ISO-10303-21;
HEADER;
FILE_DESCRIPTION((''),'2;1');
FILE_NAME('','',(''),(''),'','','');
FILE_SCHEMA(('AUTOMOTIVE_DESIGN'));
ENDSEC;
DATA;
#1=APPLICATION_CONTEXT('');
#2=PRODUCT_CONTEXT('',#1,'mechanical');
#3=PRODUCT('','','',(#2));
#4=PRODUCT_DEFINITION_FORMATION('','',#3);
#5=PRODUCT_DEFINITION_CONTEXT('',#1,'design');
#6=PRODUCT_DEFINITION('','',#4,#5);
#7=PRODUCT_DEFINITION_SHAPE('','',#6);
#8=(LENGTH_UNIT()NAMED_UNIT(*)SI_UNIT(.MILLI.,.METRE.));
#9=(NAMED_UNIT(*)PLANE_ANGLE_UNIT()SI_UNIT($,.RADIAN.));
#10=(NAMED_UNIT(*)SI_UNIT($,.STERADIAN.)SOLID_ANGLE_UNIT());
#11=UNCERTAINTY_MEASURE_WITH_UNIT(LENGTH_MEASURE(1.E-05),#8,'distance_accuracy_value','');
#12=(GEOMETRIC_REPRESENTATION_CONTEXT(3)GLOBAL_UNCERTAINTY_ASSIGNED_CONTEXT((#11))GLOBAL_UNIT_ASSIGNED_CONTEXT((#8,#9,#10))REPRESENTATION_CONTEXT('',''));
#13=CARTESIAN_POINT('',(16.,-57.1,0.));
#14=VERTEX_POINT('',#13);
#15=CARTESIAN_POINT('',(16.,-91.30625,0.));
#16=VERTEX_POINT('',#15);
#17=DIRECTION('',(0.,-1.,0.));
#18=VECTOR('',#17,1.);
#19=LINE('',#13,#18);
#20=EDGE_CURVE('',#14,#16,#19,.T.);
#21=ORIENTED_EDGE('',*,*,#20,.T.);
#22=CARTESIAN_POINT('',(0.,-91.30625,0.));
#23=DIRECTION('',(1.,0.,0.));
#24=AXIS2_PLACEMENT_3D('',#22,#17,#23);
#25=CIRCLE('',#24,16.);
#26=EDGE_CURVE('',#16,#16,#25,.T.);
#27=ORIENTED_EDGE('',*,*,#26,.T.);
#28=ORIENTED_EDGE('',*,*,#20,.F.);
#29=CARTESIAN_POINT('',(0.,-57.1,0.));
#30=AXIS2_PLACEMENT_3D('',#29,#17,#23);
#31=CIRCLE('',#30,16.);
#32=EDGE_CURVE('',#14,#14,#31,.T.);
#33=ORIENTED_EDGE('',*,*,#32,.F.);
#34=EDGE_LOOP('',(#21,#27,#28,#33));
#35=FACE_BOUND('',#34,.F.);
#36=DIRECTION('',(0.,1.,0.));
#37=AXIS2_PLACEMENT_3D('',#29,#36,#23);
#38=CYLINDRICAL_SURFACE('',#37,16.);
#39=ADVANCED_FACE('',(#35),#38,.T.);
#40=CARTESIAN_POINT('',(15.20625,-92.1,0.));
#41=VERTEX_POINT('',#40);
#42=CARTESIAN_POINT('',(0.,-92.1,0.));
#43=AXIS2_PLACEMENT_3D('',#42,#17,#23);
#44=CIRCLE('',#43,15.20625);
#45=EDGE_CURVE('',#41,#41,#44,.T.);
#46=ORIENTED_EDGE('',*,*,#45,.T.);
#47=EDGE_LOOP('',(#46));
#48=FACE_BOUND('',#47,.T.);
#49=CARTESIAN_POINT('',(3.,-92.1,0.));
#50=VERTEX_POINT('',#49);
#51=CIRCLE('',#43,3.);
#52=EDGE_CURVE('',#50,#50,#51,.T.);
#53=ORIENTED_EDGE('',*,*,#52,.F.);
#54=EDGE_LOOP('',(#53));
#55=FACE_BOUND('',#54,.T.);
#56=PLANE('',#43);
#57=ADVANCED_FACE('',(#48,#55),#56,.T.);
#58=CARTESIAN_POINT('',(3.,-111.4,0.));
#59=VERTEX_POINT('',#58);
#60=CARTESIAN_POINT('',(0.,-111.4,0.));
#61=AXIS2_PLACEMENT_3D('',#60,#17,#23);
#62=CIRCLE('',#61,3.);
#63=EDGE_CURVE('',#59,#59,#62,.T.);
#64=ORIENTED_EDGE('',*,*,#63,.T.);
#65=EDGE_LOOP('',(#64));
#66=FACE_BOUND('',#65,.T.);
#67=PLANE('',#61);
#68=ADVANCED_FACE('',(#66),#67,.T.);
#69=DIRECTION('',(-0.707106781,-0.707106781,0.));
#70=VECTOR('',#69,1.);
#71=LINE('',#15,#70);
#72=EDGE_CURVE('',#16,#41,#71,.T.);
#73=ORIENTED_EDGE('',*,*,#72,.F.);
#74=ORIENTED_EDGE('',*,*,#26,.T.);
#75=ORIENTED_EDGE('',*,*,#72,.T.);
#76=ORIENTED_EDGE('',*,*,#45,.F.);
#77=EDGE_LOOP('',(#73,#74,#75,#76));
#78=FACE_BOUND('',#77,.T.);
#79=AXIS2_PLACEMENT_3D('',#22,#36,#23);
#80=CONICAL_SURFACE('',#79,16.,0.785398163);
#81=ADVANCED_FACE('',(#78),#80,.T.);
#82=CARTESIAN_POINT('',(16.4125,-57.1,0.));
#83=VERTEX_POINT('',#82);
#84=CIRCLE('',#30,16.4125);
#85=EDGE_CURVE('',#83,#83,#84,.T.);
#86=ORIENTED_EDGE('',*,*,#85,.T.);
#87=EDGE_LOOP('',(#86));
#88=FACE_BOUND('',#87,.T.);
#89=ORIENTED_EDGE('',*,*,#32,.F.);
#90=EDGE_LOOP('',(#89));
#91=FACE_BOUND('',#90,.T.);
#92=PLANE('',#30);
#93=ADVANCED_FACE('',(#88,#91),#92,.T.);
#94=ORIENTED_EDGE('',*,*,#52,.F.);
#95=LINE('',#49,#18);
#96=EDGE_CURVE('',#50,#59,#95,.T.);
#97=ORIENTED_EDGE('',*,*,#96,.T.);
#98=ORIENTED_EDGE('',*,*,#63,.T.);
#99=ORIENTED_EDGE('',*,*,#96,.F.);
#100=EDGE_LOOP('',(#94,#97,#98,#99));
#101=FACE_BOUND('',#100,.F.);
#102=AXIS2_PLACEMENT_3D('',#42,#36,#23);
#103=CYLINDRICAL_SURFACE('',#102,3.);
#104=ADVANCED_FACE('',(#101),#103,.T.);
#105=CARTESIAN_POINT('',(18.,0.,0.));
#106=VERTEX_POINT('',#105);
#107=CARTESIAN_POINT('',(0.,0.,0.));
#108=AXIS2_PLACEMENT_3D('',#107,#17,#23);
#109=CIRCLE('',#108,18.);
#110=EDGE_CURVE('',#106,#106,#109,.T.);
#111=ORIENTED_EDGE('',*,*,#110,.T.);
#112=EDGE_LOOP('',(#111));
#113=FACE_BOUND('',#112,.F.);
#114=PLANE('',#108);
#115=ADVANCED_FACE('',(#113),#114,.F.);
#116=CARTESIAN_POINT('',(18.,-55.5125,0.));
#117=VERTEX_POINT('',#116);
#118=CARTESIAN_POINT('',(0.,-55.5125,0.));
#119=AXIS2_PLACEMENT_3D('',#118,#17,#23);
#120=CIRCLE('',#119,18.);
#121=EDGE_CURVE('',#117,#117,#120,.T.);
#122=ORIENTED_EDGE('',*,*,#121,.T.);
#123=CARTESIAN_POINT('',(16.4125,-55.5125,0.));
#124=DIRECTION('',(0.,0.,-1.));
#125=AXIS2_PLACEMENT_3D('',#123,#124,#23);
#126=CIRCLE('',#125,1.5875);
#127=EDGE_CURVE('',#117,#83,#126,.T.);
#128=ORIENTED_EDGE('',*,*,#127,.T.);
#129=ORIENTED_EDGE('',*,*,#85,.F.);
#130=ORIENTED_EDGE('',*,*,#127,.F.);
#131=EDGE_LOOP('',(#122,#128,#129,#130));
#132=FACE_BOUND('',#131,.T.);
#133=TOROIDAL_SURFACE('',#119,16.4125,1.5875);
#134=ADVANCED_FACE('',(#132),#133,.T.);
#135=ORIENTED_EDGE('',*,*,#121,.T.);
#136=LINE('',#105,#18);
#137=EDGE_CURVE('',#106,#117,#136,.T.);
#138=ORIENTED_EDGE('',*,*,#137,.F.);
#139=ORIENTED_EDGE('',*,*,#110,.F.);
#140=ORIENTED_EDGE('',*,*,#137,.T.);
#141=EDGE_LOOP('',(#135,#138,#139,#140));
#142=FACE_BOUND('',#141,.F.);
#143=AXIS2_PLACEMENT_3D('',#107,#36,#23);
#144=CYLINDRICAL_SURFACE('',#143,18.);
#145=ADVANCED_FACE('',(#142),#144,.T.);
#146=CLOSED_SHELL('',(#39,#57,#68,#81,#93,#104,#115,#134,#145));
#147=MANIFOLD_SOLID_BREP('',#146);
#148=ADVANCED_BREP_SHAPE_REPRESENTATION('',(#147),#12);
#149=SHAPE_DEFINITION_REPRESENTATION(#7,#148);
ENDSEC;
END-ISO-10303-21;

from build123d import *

# Parameters (mm, degrees)
F0_R     = 18
F1_DEPTH = 57.1
F2_R     = 16
F3_DEPTH = 35
F4_R     = 1.5875
F5_R     = 3
F6_DEPTH = 19.3
F7_SIZE  = 0.79375


with BuildPart() as f1:
    # F0 (on Front) → F1 (new body)
    with BuildSketch(Plane.XZ):
        Circle(F0_R)
    extrude(amount=F1_DEPTH)

    # F2 (on face) → F3 (join)
    with BuildSketch(Plane.XZ.offset(57.1)):
        Circle(F2_R)
    extrude(amount=F3_DEPTH)

    # F4
    f4_edges = [f1.edges().sort_by_distance(p)[0] for p in [
        (-18, -57.1, 0),
    ]]
    fillet(f4_edges, radius=F4_R)

    # F5 (on face) → F6 (join)
    with BuildSketch(Plane.XZ.offset(92.1)):
        Circle(F5_R)
    extrude(amount=F6_DEPTH)

    # F7
    f7_edges = [f1.edges().sort_by_distance(p)[0] for p in [
        (-16, -92.1, 0),
    ]]
    chamfer(f7_edges, length=F7_SIZE)


solid = f1.part
